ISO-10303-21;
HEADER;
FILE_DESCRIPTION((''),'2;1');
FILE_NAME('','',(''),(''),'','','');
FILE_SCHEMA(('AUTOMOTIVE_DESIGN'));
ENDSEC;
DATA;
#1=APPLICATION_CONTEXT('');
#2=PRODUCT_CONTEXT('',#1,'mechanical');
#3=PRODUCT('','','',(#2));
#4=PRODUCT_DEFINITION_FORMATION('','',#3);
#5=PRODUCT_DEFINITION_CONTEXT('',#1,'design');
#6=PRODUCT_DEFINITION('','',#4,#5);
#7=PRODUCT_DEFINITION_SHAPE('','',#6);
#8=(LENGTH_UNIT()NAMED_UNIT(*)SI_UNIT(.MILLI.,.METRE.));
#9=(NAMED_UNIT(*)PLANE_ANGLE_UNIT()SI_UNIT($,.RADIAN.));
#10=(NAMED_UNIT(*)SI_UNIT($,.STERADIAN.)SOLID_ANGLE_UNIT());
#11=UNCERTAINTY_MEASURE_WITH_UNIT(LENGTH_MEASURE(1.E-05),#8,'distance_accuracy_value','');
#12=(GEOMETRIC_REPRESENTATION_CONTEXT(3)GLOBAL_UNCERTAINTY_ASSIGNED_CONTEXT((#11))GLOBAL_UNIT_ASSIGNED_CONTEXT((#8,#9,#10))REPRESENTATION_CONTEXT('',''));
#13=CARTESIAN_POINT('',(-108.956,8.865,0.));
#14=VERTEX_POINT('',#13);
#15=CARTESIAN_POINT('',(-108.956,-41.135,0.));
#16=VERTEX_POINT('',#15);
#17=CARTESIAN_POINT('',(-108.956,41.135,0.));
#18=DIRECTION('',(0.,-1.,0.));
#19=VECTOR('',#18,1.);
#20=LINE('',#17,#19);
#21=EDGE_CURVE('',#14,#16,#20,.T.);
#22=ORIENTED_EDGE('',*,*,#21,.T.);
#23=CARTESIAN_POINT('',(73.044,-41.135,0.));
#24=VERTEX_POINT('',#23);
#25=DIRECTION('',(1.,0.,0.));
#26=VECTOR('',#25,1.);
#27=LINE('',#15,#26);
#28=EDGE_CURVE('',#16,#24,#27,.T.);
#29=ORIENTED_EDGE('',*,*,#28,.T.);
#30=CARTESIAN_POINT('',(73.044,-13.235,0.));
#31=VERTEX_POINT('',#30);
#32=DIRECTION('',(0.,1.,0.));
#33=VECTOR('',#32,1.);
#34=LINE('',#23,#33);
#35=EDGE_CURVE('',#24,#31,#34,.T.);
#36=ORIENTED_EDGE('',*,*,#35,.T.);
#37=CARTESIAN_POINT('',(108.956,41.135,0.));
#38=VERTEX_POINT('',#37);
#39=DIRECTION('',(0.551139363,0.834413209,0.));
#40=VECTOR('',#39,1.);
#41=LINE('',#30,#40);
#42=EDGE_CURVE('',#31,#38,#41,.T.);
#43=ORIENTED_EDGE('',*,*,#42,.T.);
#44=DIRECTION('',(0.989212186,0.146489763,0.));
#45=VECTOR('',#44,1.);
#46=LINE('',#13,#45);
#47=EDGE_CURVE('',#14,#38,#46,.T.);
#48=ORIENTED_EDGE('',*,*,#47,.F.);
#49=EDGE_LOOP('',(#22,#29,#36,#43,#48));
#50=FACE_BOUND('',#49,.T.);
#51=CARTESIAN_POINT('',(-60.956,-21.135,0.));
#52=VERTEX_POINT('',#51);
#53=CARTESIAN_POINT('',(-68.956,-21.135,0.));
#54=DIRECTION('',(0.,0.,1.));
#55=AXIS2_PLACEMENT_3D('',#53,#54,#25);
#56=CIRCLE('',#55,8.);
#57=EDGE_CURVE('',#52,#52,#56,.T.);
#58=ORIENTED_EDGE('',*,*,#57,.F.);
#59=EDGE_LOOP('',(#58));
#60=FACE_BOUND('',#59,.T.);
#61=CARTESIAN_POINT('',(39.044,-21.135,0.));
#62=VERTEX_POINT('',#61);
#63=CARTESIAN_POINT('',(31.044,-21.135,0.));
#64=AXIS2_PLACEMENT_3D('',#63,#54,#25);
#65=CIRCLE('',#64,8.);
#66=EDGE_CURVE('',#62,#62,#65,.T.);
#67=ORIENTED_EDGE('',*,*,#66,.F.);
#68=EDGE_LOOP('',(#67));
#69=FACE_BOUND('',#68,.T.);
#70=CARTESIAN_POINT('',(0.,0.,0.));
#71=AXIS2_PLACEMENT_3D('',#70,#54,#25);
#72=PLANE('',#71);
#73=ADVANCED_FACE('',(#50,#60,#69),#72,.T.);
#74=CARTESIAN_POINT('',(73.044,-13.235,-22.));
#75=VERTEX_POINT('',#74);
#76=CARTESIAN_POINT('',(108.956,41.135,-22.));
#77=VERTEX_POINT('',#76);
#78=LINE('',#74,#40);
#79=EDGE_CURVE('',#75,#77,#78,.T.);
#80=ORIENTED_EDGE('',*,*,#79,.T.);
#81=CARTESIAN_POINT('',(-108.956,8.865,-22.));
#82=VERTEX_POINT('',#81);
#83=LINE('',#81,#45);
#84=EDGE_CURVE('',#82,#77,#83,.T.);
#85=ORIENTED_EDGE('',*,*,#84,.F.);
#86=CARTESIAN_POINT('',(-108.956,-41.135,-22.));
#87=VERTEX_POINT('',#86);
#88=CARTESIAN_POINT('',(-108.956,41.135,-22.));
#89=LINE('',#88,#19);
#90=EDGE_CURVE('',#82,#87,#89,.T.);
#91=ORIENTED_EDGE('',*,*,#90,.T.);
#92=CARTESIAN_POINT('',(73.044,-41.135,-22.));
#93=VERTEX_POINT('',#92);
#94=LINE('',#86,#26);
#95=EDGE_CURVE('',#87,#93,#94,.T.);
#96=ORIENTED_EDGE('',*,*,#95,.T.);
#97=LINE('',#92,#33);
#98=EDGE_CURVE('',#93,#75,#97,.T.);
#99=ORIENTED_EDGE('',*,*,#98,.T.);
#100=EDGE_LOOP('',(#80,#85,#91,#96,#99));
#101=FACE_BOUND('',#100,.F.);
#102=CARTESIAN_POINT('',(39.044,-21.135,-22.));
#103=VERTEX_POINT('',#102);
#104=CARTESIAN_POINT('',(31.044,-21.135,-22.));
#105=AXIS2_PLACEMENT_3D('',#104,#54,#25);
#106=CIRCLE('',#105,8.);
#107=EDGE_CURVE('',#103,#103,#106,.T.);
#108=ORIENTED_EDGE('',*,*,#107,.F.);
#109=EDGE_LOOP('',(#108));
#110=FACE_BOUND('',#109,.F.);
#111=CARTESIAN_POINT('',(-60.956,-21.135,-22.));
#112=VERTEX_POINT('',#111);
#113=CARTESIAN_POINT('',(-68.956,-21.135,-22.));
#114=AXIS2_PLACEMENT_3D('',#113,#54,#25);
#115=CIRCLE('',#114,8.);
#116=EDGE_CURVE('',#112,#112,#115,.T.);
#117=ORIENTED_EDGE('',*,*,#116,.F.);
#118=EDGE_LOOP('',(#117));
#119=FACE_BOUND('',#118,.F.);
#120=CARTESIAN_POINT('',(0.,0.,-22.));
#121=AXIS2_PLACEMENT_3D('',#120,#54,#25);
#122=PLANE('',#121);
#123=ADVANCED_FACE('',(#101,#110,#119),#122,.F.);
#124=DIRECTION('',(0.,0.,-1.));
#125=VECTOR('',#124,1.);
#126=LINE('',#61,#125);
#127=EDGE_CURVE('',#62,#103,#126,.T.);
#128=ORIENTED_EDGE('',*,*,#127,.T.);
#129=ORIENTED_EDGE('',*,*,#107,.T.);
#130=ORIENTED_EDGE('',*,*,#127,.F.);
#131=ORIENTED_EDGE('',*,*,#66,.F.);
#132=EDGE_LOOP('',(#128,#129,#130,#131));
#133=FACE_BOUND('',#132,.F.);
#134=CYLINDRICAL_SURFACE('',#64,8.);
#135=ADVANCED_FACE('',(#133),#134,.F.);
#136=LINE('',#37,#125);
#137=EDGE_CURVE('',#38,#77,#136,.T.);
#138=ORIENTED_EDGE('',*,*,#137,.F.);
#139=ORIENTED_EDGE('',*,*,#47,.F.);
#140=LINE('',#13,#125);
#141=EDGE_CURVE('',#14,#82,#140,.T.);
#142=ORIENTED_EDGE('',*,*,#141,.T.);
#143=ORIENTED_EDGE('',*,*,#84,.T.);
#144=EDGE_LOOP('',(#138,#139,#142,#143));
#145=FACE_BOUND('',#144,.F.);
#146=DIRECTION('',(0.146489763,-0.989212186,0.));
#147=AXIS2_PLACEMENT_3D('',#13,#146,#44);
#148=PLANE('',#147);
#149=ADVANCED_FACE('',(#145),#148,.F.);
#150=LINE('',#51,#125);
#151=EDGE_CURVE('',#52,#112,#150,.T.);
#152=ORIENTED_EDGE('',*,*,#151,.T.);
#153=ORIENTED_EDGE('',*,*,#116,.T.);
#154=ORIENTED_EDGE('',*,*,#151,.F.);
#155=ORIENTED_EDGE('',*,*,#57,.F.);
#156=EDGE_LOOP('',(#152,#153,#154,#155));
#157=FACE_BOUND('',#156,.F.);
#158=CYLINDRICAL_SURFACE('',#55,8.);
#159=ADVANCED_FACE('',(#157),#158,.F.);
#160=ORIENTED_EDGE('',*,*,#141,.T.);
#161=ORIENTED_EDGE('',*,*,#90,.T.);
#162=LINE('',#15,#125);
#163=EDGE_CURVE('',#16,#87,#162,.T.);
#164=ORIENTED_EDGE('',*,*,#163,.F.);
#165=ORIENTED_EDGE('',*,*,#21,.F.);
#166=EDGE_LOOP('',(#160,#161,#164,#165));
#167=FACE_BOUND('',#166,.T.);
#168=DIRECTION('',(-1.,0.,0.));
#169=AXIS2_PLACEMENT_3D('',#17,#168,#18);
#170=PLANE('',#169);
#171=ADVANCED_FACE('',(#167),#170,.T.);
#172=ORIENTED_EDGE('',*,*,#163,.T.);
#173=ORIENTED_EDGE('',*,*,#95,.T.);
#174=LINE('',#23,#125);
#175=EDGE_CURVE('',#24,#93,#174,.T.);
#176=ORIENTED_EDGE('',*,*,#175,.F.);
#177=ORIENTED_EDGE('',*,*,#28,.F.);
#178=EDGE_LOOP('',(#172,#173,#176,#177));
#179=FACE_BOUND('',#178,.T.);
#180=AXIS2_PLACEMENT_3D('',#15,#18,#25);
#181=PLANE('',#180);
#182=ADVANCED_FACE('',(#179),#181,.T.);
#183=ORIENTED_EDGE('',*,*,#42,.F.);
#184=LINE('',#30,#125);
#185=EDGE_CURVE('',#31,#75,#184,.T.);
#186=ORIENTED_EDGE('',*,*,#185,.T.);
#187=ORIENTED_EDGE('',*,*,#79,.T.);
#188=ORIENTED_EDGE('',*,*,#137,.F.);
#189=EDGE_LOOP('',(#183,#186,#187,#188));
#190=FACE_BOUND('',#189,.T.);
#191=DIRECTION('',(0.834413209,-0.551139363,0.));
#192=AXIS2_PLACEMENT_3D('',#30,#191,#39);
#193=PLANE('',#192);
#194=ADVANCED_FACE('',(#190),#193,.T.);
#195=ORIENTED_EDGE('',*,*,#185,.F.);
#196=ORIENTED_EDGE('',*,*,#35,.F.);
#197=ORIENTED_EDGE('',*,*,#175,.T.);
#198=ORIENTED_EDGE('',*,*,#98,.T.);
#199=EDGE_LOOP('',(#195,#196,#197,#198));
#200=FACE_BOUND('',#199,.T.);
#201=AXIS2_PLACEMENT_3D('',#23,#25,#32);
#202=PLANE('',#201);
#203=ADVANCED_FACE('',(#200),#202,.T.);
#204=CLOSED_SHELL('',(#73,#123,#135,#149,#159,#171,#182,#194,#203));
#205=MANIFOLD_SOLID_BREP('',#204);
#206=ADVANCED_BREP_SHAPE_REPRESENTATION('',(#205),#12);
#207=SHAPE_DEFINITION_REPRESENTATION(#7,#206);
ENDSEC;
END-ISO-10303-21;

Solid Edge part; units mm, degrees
sketch "Sketch1" plane through (0, 0, 0) normal (0, 0, 1) x (1, 0, 0)
  line L0 (-108.956, -41.135) -> (108.956, -41.135)
  line L1 (108.956, -41.135) -> (108.956, 41.135)
  line L2 (108.956, 41.135) -> (-108.956, 41.135)
  line L3 (-108.956, 41.135) -> (-108.956, -41.135)
extrude "Protrusion1" add sketch "Sketch1" against normal blind 22
sketch "Sketch2" plane through (0, 0, 0) normal (0, 0, 1) x (0, 1, 0)
  line L0 (-41.135, -73.044) -> (-13.235, -73.044)
  line L1 (-13.235, -73.044) -> (41.135, -108.956)
  line L2 (41.135, -108.956) -> (-41.135, -108.956)
  line L3 (-41.135, -108.956) -> (-41.135, -73.044)
extrude "ExtrudedCutout_1" cut sketch "Sketch2" against normal blind 22
sketch "Sketch3" plane through (0, 0, 0) normal (0, 0, 1) x (1, 0, 0)
  line L0 (-108.956, 8.865) -> (108.956, 41.135)
  line L1 (108.956, 41.135) -> (-108.956, 41.135)
  line L2 (-108.956, 41.135) -> (-108.956, 8.865)
extrude "ExtrudedCutout_2" cut sketch "Sketch3" against normal blind 22
sketch "Sketch4" plane through (0, 0, 0) normal (0, 0, 1) x (1, 0, 0)
  circle A0 centre (-68.956, -21.135) radius 8
  circle A1 centre (31.044, -21.135) radius 8
extrude "ExtrudedCutout_3" cut sketch "Sketch4" against normal blind 22
